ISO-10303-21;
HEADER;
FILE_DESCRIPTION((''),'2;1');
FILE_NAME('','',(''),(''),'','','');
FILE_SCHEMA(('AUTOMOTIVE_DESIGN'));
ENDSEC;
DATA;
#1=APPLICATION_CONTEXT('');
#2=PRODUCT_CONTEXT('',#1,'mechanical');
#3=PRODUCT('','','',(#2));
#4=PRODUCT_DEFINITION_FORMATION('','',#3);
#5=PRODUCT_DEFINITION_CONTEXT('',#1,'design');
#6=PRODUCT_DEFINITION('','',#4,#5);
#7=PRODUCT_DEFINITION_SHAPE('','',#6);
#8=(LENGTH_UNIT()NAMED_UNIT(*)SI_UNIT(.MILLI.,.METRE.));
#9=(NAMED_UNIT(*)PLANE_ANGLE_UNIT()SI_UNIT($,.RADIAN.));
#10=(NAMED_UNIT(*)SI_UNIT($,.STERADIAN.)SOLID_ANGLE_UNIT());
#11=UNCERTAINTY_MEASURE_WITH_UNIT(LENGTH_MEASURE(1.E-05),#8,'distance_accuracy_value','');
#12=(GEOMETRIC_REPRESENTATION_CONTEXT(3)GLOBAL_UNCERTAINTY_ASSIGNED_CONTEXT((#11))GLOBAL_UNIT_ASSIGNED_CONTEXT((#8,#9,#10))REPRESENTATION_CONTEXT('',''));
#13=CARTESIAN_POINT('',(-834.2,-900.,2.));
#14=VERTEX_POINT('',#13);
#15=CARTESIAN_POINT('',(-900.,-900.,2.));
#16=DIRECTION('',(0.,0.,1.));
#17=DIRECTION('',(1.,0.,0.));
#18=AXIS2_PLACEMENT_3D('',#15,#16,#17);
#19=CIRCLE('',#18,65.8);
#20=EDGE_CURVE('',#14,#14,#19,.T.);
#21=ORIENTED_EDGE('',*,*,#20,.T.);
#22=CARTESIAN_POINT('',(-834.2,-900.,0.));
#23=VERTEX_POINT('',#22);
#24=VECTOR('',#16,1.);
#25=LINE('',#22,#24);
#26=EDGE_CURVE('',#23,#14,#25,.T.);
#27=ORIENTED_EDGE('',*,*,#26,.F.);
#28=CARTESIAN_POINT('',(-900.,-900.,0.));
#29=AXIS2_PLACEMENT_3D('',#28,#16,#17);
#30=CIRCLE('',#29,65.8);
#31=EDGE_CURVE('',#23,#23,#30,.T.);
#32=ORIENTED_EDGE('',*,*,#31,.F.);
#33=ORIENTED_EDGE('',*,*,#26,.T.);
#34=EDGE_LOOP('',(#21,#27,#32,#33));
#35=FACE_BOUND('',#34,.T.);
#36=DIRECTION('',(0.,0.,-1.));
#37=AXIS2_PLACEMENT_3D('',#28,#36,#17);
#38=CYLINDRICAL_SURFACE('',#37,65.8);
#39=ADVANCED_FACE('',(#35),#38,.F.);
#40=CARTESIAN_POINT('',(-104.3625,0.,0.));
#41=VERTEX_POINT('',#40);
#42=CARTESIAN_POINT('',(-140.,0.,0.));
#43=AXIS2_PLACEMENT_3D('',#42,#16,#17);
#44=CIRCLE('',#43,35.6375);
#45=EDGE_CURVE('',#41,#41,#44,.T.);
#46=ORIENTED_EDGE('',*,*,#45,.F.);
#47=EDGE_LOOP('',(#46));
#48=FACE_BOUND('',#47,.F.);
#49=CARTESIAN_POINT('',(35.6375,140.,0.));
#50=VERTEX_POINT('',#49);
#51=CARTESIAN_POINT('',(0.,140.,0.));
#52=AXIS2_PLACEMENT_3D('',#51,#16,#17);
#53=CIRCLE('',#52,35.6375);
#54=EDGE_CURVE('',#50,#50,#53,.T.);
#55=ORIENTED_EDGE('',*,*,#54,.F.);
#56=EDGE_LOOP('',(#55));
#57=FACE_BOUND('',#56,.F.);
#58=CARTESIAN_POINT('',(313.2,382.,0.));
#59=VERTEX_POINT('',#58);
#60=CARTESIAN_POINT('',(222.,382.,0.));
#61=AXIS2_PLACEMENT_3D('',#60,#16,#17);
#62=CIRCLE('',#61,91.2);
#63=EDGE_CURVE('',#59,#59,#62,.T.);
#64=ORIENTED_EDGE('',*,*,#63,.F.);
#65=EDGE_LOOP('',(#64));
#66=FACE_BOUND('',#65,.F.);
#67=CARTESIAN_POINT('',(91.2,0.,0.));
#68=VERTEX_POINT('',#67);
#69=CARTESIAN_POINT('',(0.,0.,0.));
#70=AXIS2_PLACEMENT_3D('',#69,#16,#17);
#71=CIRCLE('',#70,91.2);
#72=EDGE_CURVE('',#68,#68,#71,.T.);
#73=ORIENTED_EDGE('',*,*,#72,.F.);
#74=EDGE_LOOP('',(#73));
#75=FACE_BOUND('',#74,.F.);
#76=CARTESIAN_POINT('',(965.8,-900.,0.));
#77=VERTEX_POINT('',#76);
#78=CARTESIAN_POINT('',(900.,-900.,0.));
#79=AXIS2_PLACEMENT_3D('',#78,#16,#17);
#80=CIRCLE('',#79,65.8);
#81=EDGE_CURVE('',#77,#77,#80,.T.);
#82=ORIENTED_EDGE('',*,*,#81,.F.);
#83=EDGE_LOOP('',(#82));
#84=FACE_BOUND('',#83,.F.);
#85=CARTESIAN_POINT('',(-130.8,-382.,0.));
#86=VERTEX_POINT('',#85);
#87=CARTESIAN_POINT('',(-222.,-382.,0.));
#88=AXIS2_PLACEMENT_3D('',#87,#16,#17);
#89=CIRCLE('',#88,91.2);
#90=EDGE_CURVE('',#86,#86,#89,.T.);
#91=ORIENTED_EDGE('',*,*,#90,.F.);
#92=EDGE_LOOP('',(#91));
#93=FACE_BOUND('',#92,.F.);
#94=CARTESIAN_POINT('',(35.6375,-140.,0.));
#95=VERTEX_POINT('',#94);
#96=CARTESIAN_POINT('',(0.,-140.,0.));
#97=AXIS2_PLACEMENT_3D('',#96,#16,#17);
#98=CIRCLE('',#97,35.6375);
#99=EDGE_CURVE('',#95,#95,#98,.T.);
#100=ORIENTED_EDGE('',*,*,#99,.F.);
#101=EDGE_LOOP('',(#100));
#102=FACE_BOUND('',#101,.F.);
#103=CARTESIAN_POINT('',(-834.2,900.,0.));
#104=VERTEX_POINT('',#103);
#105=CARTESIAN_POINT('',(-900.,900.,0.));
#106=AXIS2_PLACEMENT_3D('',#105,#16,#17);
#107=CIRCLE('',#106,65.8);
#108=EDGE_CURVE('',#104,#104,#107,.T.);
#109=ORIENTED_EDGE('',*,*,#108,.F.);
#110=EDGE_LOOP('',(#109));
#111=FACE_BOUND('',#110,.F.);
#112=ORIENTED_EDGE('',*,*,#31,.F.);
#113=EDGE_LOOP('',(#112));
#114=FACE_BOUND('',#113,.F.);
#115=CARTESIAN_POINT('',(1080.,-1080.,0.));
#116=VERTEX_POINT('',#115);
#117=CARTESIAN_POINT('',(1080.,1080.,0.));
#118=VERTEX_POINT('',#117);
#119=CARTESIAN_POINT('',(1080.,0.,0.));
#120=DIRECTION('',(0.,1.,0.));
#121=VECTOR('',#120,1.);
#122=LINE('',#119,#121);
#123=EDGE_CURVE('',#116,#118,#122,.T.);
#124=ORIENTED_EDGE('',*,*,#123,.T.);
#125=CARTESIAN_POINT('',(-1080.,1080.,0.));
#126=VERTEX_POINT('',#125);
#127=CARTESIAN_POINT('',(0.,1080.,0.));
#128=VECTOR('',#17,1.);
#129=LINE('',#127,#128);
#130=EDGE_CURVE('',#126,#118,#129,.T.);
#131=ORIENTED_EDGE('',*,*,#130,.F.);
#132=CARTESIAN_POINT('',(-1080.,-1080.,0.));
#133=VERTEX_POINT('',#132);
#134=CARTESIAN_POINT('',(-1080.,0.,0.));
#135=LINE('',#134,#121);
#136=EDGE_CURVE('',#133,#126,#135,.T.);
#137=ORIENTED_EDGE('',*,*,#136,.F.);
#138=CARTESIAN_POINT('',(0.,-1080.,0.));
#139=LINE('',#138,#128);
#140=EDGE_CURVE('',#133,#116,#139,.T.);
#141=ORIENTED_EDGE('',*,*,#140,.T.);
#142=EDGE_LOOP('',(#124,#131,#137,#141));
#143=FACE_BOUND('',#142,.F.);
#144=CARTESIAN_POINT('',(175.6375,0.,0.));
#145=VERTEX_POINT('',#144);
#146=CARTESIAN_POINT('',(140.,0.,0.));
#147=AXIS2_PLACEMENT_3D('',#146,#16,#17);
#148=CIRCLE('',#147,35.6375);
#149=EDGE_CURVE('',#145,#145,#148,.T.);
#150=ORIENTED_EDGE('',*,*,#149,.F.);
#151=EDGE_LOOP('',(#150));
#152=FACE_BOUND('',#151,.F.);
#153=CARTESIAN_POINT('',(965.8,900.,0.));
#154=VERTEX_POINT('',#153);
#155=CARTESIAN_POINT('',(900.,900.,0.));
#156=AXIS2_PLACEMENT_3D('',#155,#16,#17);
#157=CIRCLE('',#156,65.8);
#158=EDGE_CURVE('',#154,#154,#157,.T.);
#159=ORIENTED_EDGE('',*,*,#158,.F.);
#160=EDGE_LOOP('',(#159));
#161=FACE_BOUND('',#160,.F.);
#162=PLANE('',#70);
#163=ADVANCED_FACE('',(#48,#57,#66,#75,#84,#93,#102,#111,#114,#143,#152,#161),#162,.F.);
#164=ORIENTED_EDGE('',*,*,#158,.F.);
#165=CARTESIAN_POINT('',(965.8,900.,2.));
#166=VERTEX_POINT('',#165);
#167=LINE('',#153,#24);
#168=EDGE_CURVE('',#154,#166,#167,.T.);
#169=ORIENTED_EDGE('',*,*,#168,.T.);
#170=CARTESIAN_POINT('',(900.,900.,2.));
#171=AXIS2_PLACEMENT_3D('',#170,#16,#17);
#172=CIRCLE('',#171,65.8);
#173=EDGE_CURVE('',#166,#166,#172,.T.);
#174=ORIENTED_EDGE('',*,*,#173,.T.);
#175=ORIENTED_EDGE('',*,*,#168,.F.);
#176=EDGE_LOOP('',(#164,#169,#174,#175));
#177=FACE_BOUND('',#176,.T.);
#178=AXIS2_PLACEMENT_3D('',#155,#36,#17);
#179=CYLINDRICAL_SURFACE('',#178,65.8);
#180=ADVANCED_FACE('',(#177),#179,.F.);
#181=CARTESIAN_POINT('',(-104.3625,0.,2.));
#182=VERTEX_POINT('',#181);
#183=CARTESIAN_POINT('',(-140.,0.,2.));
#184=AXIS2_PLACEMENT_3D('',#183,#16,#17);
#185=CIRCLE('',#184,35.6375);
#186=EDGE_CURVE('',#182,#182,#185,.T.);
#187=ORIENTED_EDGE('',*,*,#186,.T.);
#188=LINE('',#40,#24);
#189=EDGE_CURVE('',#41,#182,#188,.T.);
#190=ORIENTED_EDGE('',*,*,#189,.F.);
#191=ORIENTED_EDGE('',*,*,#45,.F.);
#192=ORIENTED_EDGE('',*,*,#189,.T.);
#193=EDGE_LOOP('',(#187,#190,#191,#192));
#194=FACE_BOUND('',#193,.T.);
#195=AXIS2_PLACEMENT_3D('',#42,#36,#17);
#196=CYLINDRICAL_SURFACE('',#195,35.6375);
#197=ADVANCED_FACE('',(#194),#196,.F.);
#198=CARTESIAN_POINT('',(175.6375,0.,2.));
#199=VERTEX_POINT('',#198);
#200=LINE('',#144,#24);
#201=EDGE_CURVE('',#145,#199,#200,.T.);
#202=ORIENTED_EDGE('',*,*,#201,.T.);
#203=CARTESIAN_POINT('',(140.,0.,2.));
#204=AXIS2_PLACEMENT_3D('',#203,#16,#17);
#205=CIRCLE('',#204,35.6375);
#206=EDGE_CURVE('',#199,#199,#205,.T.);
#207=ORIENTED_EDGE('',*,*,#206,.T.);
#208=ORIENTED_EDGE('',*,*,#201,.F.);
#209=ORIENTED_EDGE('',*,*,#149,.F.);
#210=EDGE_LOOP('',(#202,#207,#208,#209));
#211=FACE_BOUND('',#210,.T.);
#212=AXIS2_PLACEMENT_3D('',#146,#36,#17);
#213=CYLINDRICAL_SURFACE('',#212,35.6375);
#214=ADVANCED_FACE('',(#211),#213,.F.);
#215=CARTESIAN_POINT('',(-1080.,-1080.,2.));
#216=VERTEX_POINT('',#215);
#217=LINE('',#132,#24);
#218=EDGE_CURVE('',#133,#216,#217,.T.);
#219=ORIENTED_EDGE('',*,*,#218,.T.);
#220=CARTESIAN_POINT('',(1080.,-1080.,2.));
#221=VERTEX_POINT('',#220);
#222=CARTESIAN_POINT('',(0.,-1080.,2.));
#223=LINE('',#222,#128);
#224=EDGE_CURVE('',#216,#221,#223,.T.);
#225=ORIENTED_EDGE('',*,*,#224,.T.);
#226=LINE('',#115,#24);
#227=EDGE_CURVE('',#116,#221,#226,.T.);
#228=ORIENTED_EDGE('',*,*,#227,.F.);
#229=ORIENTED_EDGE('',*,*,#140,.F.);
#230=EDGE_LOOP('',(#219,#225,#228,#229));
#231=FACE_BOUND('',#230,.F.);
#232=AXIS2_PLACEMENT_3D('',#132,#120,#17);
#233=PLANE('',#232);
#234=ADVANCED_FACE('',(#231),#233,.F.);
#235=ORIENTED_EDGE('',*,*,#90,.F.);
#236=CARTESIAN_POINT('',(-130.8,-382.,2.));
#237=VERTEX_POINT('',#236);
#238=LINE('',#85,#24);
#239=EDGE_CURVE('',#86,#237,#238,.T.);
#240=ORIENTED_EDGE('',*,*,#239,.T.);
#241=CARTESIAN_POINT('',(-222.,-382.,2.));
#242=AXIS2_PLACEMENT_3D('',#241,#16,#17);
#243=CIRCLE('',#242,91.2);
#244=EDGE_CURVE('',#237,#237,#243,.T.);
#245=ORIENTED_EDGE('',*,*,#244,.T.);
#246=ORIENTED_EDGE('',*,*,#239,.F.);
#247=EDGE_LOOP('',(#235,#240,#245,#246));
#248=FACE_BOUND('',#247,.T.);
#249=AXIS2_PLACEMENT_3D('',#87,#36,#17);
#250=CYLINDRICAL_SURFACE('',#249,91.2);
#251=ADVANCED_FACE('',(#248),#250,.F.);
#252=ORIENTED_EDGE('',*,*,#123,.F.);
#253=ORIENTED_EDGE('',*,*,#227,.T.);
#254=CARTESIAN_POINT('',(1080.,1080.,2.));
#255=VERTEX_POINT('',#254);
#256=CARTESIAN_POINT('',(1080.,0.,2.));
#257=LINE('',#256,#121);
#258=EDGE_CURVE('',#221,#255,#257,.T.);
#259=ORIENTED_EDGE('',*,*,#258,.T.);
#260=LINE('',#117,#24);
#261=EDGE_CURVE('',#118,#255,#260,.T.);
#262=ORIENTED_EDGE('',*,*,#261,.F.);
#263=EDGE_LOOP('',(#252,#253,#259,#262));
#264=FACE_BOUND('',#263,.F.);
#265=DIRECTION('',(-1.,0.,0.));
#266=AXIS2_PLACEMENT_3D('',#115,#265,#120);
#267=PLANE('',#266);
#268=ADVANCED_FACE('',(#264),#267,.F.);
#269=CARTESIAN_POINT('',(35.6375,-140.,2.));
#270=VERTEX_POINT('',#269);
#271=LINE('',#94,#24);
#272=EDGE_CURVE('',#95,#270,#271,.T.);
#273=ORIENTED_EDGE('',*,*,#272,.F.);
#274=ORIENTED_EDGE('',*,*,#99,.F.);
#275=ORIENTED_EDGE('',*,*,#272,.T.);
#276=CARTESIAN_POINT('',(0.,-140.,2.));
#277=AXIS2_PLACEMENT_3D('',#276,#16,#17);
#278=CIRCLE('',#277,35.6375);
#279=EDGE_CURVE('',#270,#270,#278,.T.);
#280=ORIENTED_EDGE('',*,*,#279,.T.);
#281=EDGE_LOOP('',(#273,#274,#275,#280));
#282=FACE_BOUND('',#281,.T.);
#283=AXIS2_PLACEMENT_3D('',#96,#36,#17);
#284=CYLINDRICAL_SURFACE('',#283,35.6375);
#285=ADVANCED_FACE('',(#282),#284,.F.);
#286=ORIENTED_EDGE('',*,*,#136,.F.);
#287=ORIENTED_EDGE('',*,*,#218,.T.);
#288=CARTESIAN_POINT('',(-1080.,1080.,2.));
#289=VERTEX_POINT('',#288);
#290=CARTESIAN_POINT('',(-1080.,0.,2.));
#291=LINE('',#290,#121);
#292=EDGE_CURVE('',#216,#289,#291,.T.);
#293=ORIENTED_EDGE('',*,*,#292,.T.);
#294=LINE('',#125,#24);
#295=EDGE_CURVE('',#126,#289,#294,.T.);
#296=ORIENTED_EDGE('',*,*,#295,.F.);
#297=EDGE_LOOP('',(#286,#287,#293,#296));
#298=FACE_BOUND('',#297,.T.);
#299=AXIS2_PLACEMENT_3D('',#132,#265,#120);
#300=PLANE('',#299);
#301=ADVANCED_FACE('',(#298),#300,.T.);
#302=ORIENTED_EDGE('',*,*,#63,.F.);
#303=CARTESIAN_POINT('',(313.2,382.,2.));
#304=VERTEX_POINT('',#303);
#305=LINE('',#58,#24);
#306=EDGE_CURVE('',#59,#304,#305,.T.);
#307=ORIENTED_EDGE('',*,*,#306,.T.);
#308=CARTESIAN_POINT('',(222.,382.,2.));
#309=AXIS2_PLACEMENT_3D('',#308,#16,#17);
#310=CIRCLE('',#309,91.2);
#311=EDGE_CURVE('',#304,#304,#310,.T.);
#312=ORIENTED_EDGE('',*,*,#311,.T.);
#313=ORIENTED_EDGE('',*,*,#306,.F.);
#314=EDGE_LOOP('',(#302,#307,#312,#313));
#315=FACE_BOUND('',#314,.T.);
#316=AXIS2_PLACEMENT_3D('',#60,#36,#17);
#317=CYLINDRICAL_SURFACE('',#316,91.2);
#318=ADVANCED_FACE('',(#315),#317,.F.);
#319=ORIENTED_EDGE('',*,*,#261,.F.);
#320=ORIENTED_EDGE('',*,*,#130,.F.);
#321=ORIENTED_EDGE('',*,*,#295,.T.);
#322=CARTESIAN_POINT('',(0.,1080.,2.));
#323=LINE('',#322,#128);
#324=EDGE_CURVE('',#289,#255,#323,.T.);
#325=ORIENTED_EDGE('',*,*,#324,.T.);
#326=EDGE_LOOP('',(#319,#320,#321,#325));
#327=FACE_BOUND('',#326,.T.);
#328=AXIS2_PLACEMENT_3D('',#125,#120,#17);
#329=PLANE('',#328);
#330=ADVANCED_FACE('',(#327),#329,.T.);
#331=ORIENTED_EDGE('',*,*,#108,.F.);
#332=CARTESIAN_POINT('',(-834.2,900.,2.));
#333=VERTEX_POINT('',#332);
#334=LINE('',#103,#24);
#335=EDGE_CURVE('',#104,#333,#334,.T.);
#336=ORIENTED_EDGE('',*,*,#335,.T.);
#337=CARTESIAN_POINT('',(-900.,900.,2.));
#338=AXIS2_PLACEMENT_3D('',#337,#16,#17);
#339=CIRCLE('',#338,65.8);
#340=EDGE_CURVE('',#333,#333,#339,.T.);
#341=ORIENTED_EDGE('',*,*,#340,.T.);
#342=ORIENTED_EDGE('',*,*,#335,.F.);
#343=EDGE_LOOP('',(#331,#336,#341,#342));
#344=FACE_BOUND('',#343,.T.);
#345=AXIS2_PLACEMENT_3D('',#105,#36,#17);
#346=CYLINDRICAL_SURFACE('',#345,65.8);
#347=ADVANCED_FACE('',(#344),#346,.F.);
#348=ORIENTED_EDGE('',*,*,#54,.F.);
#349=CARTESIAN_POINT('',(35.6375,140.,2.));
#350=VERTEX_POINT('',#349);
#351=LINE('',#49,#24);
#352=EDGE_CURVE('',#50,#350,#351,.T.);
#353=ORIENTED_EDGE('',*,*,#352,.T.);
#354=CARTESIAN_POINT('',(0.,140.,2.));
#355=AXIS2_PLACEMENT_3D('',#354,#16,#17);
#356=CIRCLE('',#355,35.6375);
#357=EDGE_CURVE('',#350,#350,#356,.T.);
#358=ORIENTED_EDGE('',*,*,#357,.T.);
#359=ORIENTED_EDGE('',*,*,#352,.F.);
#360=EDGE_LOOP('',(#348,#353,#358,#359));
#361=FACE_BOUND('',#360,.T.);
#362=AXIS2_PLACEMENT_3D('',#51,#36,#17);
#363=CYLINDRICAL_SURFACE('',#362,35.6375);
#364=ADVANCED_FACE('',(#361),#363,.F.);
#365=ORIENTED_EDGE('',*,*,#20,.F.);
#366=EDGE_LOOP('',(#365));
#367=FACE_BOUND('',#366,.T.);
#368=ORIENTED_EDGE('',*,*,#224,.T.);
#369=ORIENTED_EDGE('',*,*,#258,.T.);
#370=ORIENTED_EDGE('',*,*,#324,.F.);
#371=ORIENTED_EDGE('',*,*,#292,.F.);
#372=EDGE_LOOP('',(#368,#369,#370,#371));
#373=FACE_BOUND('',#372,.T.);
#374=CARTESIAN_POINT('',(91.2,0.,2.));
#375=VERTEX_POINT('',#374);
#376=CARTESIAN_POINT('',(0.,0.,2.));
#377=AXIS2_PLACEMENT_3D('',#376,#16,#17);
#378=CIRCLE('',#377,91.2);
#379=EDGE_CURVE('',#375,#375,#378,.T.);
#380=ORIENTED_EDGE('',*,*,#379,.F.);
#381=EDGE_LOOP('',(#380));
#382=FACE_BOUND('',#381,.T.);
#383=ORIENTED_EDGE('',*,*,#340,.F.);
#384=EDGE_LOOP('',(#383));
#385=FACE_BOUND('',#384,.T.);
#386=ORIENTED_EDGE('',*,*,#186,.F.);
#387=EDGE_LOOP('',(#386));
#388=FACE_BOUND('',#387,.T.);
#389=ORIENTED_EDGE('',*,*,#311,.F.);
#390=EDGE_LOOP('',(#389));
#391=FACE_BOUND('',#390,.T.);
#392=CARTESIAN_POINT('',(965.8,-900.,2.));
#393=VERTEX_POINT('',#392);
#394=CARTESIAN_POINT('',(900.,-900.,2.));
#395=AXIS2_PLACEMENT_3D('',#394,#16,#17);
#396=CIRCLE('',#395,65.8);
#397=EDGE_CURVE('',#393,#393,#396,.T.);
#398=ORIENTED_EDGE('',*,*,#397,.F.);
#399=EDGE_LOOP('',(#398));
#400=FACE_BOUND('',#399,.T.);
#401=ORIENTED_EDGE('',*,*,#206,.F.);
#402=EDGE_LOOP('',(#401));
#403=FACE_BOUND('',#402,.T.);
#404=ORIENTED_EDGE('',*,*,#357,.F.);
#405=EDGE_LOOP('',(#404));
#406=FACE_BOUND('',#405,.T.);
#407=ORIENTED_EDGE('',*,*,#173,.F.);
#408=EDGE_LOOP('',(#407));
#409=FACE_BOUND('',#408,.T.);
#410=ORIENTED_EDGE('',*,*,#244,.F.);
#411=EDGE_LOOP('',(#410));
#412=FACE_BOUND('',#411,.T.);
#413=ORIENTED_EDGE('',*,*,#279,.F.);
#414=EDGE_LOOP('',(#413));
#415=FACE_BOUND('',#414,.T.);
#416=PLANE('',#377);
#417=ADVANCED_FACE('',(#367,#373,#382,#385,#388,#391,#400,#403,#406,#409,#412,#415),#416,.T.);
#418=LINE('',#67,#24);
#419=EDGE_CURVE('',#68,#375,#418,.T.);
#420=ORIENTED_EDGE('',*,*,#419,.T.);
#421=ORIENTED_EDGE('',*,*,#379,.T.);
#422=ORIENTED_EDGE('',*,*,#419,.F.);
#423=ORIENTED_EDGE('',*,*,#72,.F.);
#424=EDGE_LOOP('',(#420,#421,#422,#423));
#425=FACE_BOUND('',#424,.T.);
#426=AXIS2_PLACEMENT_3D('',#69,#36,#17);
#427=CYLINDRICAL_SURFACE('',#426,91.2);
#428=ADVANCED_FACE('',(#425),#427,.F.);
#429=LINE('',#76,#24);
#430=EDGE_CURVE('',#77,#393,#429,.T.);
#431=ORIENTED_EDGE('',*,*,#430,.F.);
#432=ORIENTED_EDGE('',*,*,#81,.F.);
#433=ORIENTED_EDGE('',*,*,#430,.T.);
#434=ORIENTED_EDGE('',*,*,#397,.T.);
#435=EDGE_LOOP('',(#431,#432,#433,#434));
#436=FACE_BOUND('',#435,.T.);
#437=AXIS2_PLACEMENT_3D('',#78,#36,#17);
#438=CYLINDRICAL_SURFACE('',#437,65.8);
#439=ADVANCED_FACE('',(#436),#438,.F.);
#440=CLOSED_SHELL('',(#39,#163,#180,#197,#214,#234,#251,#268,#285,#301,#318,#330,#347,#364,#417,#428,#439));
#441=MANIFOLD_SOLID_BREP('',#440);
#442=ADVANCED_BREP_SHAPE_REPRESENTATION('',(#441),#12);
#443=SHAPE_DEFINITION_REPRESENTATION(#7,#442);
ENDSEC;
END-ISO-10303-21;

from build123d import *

# Parameters (mm, degrees)
SKETCH1_W           = 2160
SKETCH1_H           = 2160
SKETCH1_R           = 91.2
SKETCH1_R_2         = 35.6375
SKETCH1_R_3         = 65.8
BOSS_EXTRUDE1_DEPTH = 2


with BuildPart() as part:
    # Sketch1 → Boss-Extrude1 (new body)
    with BuildSketch(Plane.XY):
        Rectangle(SKETCH1_W, SKETCH1_H)
        Circle(SKETCH1_R, mode=Mode.SUBTRACT)
        with Locations((0, 140)):
            Circle(SKETCH1_R_2, mode=Mode.SUBTRACT)
        with Locations((222, 382)):
            Circle(SKETCH1_R, mode=Mode.SUBTRACT)
        with Locations((-222, -382)):
            Circle(SKETCH1_R, mode=Mode.SUBTRACT)
        with Locations((-900, 900)):
            Circle(SKETCH1_R_3, mode=Mode.SUBTRACT)
        with Locations((900, -900)):
            Circle(SKETCH1_R_3, mode=Mode.SUBTRACT)
        with Locations((900, 900)):
            Circle(SKETCH1_R_3, mode=Mode.SUBTRACT)
        with Locations((-900, -900)):
            Circle(SKETCH1_R_3, mode=Mode.SUBTRACT)
        with Locations((0, -140)):
            Circle(SKETCH1_R_2, mode=Mode.SUBTRACT)
        with Locations((140, 0)):
            Circle(SKETCH1_R_2, mode=Mode.SUBTRACT)
        with Locations((-140, 0)):
            Circle(SKETCH1_R_2, mode=Mode.SUBTRACT)
    extrude(amount=BOSS_EXTRUDE1_DEPTH)


solid = part.part
